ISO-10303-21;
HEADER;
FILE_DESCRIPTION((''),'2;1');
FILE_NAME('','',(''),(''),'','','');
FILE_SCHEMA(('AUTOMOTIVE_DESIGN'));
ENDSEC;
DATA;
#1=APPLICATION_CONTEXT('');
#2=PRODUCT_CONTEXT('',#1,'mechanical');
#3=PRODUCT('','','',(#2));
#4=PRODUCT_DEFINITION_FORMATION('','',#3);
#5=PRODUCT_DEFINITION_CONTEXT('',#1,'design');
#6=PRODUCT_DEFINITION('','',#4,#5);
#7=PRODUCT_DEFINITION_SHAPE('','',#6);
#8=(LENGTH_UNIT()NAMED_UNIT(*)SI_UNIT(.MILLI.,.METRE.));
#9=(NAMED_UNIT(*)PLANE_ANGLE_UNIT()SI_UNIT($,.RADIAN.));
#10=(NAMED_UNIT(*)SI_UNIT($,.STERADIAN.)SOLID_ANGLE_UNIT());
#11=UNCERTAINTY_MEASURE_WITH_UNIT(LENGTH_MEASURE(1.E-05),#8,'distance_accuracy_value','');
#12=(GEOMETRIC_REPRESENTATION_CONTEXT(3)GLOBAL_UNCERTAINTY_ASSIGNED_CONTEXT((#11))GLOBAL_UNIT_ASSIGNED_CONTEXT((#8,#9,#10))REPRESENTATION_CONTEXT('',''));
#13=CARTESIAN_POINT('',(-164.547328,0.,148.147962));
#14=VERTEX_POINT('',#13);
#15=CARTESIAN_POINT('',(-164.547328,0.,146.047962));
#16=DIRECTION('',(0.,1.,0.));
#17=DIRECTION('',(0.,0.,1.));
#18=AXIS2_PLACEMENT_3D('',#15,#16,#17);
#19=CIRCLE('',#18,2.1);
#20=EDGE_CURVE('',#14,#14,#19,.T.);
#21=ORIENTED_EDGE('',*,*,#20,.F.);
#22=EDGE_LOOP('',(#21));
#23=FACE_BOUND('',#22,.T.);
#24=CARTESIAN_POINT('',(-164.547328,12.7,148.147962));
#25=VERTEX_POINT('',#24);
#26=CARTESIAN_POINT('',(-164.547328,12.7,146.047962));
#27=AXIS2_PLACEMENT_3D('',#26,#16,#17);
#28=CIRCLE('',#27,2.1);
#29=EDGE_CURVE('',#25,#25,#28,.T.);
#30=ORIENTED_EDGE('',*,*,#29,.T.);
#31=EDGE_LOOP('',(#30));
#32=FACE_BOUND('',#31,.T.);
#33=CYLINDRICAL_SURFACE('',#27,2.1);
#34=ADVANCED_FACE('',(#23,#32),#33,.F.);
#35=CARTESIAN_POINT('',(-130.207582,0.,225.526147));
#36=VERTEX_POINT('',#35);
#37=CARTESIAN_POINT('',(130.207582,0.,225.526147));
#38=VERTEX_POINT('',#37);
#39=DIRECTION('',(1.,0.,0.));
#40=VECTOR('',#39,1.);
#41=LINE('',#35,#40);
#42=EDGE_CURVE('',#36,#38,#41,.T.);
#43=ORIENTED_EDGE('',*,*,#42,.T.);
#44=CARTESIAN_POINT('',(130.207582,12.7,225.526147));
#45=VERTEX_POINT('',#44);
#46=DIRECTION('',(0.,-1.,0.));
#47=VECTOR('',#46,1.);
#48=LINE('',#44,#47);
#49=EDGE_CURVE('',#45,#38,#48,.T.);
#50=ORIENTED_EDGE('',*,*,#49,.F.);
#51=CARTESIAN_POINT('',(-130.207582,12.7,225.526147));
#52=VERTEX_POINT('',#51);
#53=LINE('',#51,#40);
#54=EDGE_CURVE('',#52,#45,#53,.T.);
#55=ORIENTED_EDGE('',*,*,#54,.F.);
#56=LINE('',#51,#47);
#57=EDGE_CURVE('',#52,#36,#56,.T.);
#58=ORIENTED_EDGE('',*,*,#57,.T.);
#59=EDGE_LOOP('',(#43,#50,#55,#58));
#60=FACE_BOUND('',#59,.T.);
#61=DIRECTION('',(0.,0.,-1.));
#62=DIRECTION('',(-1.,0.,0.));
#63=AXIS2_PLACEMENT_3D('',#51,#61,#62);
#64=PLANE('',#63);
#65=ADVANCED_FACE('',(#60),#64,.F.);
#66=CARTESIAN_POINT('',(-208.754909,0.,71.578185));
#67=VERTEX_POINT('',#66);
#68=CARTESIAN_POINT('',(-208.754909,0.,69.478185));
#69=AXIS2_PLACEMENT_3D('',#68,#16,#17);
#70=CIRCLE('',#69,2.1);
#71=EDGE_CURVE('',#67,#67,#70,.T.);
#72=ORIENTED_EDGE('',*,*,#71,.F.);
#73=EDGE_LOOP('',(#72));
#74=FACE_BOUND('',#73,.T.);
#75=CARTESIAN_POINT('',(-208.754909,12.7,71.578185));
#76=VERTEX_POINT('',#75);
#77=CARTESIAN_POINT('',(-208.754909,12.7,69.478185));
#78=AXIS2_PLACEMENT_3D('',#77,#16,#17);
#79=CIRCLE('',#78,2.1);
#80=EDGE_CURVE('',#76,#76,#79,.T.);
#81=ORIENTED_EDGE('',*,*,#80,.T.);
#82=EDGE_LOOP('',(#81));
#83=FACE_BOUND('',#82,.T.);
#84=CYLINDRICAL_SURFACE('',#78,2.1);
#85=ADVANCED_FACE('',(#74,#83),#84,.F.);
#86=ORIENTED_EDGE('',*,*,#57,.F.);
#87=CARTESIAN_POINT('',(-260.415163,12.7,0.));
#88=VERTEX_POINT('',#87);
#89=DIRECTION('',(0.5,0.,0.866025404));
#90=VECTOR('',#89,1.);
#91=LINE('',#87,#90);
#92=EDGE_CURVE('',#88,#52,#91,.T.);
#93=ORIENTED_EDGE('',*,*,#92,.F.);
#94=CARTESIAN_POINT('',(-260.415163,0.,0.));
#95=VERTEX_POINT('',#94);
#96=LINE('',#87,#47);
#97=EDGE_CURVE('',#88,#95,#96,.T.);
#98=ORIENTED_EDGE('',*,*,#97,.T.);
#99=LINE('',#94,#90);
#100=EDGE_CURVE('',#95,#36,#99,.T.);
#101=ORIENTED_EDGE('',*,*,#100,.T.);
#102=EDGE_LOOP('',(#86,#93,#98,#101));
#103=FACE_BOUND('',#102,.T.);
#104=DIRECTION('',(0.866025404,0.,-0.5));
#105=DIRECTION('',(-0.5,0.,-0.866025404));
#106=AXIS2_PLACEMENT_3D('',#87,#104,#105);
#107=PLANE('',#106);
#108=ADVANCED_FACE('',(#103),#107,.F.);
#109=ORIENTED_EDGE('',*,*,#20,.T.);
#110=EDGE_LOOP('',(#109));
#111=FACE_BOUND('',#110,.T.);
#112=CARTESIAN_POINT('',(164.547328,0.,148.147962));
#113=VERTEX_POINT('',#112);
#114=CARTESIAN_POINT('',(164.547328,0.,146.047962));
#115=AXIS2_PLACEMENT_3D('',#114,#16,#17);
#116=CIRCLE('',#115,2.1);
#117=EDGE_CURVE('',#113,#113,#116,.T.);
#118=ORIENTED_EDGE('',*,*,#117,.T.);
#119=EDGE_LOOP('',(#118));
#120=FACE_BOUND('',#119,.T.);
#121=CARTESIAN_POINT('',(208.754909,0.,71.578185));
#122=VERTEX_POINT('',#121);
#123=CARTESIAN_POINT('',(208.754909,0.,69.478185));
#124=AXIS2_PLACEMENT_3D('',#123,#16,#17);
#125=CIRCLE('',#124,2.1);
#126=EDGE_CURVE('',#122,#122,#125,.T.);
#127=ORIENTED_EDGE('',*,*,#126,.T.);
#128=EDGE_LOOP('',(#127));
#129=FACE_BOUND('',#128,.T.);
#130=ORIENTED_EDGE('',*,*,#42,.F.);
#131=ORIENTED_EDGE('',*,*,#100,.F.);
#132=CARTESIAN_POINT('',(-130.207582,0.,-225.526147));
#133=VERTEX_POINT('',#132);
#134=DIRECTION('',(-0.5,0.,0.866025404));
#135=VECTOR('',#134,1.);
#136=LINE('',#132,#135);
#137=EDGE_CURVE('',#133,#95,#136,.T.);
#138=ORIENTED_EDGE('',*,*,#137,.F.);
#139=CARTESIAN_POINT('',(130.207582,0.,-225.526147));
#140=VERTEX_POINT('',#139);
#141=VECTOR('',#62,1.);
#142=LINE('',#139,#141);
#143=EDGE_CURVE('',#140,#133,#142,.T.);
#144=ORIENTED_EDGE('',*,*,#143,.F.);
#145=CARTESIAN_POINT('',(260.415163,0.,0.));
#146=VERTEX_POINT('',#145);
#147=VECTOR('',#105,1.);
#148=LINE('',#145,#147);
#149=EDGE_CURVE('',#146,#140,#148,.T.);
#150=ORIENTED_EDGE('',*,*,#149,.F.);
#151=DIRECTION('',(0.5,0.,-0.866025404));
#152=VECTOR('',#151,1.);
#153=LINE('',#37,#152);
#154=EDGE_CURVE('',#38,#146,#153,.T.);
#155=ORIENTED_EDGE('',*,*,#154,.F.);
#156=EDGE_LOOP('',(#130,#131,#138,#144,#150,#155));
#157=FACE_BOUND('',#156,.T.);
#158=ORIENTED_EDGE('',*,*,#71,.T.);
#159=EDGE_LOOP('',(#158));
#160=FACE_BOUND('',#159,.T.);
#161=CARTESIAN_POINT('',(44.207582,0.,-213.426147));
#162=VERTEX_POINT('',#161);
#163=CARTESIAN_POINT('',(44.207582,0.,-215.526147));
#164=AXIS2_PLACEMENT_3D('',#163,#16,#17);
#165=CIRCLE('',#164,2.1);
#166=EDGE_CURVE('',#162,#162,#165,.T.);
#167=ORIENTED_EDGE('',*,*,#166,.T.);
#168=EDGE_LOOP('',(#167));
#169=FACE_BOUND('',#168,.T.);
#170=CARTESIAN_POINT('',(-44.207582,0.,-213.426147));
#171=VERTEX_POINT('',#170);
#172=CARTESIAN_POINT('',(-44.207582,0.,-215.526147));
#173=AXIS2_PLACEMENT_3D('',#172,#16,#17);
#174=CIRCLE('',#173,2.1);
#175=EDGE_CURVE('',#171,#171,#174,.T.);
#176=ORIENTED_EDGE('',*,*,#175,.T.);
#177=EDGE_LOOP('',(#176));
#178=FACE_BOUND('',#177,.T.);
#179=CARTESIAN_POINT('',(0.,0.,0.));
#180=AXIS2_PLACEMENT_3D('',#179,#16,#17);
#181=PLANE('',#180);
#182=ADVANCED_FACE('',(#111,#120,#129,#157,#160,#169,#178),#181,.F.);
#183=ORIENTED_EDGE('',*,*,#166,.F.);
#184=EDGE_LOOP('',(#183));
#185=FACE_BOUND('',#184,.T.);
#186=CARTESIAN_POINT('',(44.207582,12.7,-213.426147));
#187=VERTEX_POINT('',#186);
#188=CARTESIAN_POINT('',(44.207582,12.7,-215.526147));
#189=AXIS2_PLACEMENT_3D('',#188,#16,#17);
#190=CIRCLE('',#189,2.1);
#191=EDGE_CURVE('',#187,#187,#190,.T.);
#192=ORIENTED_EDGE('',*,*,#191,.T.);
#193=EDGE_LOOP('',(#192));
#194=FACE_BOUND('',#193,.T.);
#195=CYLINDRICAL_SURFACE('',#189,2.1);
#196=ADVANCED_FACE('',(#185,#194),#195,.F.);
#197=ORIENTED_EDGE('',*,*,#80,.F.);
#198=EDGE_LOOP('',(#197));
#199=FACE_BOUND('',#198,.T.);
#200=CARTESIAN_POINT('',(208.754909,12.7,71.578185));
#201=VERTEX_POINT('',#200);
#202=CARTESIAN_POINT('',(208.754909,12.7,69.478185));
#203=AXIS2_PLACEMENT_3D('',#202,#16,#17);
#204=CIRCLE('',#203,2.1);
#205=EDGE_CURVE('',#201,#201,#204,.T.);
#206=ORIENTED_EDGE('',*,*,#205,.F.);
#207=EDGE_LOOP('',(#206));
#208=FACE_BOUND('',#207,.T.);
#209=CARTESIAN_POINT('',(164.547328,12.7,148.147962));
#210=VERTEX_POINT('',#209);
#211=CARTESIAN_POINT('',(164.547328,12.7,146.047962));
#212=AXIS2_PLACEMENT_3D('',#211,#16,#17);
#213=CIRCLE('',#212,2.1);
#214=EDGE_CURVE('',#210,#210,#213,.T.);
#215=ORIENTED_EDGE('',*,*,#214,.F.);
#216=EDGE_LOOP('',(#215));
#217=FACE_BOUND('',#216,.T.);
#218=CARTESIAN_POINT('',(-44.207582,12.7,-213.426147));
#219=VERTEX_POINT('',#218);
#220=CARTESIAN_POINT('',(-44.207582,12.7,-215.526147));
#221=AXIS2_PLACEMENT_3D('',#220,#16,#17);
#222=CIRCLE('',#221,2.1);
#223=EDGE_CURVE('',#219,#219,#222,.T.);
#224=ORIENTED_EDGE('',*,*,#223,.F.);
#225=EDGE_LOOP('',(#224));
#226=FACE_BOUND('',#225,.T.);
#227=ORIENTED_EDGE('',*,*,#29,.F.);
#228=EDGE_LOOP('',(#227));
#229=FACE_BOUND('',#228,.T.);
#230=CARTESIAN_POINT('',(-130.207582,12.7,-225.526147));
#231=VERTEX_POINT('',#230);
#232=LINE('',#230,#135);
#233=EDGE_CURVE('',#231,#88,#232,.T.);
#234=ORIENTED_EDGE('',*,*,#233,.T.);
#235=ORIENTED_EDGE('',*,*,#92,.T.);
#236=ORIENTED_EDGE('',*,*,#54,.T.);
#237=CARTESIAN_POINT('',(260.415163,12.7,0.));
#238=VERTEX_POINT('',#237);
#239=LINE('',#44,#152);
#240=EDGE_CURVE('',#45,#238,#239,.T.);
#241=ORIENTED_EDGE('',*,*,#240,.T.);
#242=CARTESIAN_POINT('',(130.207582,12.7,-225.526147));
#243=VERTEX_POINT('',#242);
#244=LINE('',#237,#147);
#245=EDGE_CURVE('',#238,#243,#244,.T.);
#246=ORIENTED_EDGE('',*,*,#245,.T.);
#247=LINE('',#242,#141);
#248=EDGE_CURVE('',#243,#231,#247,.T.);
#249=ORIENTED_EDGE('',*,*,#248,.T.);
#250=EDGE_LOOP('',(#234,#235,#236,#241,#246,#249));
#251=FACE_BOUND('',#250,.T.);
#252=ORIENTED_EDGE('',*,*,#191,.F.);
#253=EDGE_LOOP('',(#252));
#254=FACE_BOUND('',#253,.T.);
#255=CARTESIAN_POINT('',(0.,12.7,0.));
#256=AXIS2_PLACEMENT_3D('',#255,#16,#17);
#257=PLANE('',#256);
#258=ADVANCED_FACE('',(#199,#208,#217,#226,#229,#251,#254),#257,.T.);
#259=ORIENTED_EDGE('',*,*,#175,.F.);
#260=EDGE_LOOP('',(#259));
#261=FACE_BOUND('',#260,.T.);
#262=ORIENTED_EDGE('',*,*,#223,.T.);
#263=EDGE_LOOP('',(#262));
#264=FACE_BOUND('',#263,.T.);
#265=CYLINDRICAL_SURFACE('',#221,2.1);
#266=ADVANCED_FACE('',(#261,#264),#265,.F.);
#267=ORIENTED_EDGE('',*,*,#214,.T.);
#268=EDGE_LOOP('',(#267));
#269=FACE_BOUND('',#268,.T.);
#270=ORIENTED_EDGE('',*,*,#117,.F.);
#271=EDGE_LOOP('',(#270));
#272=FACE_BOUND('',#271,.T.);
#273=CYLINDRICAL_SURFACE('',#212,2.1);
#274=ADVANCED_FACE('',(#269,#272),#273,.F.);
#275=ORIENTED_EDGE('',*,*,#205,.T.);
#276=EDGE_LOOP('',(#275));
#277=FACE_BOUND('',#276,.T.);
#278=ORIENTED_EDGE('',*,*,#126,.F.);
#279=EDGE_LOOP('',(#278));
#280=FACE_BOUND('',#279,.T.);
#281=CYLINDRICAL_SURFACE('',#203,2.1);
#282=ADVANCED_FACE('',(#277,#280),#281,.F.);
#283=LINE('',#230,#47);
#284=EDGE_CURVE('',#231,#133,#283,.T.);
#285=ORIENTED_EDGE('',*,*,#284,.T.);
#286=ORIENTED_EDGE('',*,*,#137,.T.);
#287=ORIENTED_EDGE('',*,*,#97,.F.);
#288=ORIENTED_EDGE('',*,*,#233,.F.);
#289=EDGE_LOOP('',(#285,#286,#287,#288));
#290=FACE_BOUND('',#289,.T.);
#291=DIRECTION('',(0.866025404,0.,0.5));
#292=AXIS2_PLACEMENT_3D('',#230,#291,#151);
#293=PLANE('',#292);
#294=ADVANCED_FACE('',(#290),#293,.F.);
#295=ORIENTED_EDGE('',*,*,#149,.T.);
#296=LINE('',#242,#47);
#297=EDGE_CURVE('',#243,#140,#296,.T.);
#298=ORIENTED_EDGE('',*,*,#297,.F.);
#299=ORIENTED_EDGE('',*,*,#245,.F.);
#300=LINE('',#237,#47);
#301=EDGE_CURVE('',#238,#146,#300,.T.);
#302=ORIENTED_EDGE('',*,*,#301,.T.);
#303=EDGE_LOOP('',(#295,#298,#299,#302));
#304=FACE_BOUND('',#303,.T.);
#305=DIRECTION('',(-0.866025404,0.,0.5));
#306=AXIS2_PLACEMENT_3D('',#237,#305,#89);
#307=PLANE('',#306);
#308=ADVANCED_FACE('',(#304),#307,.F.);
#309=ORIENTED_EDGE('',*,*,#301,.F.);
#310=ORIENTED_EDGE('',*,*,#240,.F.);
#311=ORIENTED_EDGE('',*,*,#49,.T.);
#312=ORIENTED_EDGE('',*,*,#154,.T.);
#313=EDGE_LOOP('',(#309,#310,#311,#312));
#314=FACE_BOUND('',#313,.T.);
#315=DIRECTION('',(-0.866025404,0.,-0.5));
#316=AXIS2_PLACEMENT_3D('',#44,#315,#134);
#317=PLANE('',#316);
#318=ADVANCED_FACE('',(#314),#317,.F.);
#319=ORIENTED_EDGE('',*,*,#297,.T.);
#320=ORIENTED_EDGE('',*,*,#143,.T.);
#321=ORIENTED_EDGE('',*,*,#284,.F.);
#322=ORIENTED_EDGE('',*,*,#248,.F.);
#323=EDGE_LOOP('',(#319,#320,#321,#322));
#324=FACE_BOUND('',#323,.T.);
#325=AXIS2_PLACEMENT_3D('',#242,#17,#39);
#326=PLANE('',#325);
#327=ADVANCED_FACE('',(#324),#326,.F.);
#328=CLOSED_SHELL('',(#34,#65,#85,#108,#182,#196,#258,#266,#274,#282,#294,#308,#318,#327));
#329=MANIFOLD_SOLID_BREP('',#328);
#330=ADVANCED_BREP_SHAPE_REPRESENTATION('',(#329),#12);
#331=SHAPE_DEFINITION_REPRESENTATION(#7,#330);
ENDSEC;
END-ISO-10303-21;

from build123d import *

# Parameters (mm, degrees)
BOSS_EXTRUDE1_DEPTH         = 12.7
TAP_DRILL_FOR_M5X0_8_TAP1_D = 4.2


with BuildPart() as part:
    # Sketch1 → Boss-Extrude1 (new body)
    with BuildSketch(Plane(origin=(0, 0, 0), x_dir=(1, 0, 0), z_dir=(0, 1, 0))):
        Polygon((130.207581625, -225.526146906), (260.415163251, 0), (130.207581625, 225.526146906), (-130.207581625, 225.526146906), (-260.415163251, 0), (-130.207581625, -225.526146906), align=None)
    extrude(amount=BOSS_EXTRUDE1_DEPTH)

    # Tap Drill for M5x0.8 Tap1 (through all)
    with Locations(Plane(origin=(0, 12.7, 0), x_dir=(1, 0, 0), z_dir=(0, 1, 0))):
        with Locations((-44.207581625, 215.526146906), (44.207581625, 215.526146906), (-208.754909213, -69.478184725), (-164.547327587, -146.04796218), (164.547327587, -146.04796218), (208.754909213, -69.478184725)):
            Hole(TAP_DRILL_FOR_M5X0_8_TAP1_D / 2)


solid = part.part
